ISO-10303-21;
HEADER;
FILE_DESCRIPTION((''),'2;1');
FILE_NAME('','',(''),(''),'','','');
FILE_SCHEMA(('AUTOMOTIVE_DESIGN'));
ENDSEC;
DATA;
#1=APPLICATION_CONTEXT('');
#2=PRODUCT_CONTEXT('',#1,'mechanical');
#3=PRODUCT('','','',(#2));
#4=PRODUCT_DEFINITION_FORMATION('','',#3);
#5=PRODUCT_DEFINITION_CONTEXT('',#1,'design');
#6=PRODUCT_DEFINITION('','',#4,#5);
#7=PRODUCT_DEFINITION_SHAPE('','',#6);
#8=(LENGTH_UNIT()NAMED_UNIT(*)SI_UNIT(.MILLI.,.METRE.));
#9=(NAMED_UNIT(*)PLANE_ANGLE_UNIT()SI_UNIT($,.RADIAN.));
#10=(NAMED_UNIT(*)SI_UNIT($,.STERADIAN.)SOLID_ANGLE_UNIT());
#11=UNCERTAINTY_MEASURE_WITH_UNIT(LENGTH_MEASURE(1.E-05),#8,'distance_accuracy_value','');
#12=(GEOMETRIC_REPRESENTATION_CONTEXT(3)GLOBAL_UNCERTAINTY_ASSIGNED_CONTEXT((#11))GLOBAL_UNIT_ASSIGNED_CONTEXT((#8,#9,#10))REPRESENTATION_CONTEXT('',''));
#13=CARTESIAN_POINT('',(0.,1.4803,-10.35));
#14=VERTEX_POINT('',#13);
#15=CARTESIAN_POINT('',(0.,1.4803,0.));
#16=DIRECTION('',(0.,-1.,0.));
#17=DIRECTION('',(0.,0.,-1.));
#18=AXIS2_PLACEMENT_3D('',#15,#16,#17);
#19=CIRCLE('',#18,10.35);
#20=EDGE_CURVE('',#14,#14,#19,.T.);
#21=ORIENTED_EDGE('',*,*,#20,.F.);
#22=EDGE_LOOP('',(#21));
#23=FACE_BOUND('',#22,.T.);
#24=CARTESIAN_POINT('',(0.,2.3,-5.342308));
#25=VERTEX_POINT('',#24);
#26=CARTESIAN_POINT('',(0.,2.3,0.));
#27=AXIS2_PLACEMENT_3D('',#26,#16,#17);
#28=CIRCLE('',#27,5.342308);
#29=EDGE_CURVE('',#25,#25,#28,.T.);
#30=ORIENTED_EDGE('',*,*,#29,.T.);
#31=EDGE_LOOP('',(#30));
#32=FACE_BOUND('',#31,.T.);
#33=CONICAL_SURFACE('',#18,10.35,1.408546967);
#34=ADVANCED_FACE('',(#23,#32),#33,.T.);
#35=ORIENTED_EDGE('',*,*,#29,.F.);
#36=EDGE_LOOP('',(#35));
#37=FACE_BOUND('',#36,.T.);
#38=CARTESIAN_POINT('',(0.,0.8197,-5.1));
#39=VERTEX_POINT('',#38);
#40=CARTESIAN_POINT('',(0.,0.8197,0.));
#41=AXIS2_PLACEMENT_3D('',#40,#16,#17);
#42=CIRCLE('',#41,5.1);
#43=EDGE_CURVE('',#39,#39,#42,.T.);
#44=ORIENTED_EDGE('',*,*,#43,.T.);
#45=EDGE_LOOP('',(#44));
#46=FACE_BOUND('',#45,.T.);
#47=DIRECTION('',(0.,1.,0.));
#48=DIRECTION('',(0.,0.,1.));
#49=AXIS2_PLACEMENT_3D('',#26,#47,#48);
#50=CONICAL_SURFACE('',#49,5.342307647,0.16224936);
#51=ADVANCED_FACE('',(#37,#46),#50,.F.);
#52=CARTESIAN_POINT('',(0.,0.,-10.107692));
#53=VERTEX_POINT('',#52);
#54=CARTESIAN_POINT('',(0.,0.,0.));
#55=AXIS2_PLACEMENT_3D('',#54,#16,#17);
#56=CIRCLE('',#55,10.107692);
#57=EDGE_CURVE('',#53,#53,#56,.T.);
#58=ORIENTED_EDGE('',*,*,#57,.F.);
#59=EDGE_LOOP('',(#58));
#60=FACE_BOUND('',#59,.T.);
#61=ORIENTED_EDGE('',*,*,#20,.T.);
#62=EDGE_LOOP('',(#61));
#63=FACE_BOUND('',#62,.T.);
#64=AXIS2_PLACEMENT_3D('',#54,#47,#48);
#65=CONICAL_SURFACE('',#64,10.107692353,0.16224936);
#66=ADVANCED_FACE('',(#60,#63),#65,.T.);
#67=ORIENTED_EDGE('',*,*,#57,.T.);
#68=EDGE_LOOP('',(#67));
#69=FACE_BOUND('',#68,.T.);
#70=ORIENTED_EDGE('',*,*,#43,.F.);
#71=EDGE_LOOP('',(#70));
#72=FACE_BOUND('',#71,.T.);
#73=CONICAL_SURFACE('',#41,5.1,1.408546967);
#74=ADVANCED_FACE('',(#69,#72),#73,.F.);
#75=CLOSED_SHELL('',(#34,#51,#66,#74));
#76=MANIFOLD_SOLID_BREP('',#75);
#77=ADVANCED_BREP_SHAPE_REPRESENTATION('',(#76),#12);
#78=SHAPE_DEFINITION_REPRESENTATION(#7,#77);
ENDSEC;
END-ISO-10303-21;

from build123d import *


with BuildPart() as part:
    # Sketch1 → Revolve1 (revolve)
    with BuildSketch(Plane.XY):
        Polygon((10.107692353, 0), (5.1, 0.819700367), (5.342307647, 2.3), (10.35, 1.480299633), align=None)
    revolve(axis=Axis((0, 0, 0), (0, 1, 0)))


solid = part.part
